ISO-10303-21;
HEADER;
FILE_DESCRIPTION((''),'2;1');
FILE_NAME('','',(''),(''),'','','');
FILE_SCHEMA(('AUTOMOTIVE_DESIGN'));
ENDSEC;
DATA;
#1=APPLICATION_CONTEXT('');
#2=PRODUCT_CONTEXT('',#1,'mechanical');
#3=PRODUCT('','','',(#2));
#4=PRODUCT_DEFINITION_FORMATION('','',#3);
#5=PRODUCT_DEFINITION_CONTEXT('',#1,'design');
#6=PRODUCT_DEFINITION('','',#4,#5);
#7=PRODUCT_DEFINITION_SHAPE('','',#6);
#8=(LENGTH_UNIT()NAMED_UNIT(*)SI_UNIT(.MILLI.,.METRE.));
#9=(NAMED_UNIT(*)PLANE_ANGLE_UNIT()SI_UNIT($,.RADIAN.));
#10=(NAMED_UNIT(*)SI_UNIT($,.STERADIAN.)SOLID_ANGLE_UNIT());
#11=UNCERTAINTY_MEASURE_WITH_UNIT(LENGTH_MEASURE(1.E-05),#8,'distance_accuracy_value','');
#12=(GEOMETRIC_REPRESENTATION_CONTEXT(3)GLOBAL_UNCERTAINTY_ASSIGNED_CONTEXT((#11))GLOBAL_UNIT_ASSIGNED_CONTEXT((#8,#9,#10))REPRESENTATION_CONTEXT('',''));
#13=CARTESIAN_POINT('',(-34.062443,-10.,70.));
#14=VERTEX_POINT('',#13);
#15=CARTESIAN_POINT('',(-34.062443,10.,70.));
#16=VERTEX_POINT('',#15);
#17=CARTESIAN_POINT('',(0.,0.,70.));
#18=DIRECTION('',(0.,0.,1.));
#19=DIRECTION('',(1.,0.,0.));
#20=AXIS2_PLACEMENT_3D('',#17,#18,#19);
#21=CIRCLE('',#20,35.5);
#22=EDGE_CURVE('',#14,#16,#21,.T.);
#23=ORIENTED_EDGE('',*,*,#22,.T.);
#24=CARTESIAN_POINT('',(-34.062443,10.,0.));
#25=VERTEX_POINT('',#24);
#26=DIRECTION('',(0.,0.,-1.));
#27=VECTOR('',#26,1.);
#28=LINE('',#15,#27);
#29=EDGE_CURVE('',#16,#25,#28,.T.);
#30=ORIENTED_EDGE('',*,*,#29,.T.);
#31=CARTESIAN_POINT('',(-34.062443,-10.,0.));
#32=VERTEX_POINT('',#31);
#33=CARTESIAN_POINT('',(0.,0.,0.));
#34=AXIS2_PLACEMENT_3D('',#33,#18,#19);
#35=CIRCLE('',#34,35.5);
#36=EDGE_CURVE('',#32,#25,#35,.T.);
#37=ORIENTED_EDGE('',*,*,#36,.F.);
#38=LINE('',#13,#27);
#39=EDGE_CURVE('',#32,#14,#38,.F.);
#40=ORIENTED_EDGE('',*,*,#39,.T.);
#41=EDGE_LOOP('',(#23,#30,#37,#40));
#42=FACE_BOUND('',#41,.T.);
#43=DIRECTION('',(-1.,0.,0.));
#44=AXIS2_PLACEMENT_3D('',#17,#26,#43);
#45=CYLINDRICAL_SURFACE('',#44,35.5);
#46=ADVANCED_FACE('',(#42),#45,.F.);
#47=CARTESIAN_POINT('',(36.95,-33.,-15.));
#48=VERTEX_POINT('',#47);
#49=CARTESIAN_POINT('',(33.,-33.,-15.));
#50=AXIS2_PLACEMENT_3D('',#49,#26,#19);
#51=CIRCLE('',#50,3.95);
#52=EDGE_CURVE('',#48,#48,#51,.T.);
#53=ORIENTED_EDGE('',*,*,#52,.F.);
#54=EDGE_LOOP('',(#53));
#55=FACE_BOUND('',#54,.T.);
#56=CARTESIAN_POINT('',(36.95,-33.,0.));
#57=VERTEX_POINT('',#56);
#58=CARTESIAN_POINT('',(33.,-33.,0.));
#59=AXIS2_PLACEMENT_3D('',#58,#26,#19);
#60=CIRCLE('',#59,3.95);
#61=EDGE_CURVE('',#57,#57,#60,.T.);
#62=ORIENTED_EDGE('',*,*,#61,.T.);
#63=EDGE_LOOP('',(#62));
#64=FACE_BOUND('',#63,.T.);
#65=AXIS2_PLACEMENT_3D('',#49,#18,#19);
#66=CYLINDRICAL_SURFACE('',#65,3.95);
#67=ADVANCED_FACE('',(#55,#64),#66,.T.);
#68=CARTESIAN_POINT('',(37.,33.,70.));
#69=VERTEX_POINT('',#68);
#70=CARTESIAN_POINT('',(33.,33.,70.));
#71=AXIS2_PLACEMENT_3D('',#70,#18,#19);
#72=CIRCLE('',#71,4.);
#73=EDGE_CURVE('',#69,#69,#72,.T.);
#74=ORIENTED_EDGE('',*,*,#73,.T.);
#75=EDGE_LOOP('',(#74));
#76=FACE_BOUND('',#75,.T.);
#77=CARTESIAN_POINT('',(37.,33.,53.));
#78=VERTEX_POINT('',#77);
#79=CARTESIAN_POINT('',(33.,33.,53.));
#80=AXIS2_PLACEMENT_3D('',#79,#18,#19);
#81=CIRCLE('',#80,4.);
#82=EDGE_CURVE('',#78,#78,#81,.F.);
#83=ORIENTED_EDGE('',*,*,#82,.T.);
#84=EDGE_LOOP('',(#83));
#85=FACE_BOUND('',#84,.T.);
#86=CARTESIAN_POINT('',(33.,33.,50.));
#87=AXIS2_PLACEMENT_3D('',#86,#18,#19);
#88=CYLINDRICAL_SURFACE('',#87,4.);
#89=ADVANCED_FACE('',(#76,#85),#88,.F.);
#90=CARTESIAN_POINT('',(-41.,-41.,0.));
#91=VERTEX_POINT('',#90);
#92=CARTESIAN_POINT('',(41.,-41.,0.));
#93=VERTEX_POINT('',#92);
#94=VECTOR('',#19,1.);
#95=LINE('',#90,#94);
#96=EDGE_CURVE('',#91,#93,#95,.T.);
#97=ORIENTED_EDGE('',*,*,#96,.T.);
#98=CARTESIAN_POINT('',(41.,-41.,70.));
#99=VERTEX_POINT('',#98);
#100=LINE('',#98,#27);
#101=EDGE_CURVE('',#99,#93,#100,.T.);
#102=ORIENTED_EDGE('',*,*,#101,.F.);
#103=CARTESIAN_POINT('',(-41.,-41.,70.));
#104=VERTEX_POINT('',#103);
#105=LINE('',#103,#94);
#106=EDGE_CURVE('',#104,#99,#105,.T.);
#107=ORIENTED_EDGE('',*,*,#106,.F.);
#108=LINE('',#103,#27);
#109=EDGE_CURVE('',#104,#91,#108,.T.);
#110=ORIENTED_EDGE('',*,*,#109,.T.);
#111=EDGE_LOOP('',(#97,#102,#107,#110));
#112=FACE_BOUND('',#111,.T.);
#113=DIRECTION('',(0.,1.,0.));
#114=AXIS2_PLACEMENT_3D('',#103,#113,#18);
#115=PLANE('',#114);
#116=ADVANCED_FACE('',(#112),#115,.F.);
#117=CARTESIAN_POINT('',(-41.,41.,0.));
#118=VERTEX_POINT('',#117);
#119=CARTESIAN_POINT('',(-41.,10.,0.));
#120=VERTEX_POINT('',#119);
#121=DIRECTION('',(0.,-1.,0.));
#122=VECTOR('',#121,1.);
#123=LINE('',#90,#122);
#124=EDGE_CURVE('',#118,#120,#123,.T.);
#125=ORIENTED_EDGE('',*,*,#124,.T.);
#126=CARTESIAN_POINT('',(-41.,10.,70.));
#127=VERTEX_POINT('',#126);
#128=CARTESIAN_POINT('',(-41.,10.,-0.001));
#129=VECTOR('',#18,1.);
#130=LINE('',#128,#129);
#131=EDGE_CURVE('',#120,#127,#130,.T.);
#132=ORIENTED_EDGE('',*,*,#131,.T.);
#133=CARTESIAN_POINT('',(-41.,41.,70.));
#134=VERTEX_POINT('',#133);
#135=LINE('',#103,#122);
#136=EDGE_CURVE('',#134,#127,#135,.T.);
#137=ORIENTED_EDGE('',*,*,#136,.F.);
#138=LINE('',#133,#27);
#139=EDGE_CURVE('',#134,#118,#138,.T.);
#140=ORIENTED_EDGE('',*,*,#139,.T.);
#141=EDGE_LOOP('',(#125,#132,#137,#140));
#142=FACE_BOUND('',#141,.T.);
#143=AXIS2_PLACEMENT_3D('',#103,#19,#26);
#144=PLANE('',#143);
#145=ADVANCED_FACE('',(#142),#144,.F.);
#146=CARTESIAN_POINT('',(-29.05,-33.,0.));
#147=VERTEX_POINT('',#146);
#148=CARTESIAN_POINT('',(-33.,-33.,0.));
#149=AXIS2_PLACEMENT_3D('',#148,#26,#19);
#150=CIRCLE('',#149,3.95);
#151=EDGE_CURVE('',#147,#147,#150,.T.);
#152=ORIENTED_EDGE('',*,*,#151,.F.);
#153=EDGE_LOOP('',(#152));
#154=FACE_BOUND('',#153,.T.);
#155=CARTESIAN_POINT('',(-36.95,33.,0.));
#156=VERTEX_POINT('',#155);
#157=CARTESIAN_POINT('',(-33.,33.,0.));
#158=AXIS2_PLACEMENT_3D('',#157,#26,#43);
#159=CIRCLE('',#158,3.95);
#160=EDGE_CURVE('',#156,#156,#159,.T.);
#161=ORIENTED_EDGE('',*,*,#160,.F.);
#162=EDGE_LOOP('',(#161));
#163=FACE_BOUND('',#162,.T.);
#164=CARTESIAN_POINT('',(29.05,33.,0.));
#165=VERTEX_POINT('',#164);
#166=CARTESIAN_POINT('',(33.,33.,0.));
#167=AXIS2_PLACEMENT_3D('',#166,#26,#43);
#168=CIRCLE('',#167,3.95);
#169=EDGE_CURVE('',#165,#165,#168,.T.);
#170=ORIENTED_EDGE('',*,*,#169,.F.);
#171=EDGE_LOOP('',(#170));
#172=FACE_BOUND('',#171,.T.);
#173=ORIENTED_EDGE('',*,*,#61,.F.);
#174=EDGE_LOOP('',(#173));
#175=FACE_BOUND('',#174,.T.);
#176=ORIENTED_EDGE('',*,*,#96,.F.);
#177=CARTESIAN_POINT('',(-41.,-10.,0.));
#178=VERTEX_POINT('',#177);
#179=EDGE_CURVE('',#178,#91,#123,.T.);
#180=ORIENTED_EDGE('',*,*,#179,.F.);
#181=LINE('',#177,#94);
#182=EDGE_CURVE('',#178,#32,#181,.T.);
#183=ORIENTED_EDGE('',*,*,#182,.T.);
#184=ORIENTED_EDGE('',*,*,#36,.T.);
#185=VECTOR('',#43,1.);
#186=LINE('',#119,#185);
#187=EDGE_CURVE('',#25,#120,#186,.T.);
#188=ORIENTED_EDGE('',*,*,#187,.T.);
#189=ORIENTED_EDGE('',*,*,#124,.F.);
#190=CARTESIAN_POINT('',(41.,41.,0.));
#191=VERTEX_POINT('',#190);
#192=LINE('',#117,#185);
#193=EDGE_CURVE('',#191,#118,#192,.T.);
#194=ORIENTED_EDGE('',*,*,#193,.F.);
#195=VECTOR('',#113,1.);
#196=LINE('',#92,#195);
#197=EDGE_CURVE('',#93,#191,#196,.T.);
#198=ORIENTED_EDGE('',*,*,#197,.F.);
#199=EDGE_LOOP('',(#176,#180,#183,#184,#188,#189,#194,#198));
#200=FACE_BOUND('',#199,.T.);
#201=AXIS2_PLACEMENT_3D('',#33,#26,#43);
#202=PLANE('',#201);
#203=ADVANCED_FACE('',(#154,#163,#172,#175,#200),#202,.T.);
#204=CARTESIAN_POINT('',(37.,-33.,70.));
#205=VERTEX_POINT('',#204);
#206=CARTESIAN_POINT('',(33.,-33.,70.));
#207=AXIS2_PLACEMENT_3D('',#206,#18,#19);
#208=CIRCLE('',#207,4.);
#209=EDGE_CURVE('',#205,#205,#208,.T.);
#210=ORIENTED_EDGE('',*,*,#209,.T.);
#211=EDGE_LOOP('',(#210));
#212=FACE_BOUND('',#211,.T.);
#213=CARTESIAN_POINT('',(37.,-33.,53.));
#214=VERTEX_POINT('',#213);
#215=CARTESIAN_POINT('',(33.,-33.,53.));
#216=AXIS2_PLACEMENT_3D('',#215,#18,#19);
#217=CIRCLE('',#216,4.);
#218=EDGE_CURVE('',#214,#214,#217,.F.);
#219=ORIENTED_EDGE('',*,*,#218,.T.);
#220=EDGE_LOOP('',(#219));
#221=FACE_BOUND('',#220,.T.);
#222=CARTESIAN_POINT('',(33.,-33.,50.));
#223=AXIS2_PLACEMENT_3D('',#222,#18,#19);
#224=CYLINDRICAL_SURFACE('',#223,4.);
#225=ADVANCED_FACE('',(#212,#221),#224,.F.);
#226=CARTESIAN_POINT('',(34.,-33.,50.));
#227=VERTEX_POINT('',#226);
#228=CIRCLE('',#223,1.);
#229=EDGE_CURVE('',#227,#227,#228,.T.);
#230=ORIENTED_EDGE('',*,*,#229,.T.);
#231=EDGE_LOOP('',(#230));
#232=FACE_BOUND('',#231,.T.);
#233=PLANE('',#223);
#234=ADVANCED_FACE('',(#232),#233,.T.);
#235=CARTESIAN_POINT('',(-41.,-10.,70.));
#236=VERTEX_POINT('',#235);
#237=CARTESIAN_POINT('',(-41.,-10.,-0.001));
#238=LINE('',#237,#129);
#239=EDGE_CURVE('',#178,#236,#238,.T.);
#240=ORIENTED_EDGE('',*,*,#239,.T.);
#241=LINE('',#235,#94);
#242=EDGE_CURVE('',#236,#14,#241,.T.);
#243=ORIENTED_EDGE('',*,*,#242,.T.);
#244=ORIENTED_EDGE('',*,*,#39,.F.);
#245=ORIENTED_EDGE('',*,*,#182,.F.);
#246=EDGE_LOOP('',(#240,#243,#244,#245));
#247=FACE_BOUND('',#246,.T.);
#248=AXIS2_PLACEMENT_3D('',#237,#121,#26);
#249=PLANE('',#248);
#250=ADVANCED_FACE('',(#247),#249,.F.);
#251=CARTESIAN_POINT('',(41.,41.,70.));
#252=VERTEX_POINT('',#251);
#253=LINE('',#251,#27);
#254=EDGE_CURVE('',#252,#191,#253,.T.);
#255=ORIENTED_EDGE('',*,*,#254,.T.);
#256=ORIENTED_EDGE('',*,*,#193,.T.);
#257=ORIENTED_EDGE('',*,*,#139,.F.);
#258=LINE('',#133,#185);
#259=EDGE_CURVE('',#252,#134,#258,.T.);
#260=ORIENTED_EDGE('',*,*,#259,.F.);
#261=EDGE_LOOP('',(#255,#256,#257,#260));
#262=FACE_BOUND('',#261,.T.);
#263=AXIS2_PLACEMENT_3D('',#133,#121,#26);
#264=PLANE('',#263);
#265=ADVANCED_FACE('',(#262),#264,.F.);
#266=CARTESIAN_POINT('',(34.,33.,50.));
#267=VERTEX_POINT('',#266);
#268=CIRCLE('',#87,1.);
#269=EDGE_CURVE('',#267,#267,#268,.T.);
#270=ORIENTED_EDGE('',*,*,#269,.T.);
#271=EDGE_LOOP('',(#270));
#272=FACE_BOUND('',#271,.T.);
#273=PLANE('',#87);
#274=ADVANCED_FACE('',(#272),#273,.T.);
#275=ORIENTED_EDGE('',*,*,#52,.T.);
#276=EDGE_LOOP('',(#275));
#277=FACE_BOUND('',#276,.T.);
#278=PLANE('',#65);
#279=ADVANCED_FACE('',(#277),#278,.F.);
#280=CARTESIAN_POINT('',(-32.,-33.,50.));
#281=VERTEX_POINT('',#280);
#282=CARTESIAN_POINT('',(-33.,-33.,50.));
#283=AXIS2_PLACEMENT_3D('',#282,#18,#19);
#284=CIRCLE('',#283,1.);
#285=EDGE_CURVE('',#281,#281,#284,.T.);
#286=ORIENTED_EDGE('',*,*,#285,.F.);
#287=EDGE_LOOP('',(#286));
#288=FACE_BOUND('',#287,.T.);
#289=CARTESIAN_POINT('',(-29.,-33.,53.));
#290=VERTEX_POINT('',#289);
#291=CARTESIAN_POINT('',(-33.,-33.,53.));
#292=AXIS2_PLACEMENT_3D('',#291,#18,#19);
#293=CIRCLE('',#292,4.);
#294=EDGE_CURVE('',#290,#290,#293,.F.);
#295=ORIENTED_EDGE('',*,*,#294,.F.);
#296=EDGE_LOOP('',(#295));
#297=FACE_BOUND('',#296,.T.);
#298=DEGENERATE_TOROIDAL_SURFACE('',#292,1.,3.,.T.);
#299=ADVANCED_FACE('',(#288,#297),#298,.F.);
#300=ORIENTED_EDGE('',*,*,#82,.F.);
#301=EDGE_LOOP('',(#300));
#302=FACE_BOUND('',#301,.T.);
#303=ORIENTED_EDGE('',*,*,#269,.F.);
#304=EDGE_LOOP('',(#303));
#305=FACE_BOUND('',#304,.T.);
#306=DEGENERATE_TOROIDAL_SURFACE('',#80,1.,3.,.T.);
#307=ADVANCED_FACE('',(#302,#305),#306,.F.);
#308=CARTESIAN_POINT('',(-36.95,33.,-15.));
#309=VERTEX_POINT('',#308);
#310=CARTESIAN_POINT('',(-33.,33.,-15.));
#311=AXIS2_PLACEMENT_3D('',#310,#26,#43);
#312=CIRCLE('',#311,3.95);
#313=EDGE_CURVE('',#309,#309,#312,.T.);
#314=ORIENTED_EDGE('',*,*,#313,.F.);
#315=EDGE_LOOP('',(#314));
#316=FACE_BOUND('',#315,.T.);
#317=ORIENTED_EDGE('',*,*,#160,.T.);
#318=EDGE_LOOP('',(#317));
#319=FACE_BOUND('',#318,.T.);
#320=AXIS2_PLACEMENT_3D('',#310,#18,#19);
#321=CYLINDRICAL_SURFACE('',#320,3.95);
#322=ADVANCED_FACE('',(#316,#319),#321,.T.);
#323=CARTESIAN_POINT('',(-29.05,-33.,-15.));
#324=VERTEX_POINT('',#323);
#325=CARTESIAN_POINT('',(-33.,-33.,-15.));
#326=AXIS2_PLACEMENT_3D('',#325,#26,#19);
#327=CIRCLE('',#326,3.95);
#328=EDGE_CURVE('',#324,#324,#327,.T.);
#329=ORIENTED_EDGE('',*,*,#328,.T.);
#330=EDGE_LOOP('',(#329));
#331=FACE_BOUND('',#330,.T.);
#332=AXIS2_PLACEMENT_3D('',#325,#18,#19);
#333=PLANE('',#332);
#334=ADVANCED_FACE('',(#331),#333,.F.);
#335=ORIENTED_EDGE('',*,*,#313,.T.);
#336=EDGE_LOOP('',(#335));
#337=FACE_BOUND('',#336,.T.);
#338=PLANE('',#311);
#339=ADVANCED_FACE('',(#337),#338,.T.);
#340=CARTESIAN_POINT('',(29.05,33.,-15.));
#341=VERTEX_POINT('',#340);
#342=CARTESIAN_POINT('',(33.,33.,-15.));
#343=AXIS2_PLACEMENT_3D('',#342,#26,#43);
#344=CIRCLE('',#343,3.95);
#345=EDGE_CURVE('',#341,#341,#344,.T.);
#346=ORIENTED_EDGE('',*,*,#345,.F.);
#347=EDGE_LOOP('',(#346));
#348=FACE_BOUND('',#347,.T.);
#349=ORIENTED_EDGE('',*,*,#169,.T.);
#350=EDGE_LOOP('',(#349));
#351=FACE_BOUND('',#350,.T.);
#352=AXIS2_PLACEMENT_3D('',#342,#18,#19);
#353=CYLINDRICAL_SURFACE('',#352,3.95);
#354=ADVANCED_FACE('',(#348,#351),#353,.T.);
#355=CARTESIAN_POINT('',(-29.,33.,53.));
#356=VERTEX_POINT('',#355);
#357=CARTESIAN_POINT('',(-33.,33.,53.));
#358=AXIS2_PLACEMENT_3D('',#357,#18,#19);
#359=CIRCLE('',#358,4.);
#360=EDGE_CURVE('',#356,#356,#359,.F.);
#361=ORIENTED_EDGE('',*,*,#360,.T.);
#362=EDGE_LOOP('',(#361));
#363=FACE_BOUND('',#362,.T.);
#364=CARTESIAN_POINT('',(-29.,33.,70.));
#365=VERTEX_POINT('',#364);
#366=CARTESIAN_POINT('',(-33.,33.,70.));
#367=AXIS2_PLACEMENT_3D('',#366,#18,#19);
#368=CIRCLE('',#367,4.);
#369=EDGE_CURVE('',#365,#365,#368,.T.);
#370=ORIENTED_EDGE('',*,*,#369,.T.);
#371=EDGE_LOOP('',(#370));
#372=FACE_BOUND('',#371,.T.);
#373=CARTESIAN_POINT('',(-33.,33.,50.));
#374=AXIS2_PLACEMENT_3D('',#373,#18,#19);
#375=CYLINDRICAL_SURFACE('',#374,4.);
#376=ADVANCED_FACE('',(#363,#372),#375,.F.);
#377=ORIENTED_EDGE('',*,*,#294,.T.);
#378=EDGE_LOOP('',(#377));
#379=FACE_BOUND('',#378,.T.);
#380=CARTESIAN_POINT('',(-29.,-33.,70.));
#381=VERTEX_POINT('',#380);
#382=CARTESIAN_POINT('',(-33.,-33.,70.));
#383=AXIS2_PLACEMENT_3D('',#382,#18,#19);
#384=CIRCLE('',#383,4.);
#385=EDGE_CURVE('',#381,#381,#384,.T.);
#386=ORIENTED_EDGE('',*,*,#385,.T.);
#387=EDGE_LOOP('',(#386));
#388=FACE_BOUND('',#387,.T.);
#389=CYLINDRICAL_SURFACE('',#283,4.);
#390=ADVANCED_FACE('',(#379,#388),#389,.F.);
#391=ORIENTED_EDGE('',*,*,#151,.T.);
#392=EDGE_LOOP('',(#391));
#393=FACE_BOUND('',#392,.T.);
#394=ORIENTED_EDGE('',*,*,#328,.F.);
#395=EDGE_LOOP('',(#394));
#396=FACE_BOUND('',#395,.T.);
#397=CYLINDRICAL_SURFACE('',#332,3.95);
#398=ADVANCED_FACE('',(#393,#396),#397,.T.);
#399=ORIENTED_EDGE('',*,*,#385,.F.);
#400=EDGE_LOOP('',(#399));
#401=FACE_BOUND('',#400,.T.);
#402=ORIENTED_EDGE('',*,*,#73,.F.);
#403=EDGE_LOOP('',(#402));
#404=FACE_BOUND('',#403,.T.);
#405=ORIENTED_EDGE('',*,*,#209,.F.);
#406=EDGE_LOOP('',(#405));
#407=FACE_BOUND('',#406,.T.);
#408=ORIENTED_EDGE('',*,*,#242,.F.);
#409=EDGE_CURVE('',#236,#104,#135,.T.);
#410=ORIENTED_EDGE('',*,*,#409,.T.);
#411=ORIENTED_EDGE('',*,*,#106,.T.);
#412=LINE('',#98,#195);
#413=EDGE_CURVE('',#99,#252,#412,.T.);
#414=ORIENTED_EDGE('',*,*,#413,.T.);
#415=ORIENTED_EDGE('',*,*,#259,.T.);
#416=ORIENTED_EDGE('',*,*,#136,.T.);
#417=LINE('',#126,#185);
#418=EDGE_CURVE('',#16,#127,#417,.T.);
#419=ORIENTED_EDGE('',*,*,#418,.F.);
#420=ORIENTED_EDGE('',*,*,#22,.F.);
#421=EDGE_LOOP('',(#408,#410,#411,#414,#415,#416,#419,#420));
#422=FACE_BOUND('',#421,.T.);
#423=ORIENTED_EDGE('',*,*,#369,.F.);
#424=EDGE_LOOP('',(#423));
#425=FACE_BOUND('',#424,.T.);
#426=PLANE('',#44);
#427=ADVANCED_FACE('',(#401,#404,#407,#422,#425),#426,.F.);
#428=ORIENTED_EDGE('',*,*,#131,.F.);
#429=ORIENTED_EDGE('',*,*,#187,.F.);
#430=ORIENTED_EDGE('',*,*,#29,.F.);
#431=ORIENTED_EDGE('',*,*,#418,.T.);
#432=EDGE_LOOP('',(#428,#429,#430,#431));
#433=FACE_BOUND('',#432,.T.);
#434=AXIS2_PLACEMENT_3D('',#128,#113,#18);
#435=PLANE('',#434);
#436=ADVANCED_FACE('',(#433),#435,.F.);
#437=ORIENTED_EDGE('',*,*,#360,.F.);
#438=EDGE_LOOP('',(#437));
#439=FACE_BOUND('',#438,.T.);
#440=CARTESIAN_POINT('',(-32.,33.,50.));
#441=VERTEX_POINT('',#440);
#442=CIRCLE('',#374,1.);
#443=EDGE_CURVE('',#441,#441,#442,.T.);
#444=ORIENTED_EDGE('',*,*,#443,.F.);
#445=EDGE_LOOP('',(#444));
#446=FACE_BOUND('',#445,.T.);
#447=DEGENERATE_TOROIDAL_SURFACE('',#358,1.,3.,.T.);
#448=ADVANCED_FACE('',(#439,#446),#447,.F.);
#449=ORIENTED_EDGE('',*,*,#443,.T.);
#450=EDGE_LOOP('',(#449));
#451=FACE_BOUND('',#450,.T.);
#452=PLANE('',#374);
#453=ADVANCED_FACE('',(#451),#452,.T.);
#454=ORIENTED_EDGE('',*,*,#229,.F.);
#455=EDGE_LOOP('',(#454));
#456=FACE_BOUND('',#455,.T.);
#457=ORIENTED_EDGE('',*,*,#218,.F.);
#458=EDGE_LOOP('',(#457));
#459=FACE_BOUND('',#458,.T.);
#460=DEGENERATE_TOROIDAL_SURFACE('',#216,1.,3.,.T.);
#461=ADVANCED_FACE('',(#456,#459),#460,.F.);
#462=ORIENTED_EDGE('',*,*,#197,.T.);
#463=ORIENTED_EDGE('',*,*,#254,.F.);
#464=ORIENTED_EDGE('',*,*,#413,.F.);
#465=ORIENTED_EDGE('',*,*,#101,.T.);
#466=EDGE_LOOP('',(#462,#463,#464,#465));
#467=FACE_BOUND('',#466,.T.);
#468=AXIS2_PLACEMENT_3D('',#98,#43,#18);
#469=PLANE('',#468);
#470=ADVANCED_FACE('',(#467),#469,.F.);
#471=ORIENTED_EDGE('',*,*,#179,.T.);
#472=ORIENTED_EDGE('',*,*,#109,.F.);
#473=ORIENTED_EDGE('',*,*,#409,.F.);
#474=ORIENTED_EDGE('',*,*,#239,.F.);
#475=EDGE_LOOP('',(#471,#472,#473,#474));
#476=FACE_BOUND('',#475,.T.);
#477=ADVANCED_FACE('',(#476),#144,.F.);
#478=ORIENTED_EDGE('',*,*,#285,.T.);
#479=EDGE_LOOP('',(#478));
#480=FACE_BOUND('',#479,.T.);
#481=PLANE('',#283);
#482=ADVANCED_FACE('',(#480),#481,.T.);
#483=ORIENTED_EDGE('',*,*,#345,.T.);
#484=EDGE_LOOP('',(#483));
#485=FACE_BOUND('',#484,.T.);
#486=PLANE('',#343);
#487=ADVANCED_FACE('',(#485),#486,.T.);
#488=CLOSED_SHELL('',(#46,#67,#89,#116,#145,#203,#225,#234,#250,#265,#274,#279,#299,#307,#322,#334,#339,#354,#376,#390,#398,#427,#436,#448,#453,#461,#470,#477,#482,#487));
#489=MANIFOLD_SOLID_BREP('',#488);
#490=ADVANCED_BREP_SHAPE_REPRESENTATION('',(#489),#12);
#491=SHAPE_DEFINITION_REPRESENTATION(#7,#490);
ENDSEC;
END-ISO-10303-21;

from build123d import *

# Parameters (mm, degrees)
SKETCH_1_W          = 82
SKETCH_1_H          = 82
SKETCH_1_R          = 35.5
EXTRUDE_1_DEPTH     = 70
SKETCH_4_R          = 4
CUT_EXTRUDE_2_DEPTH = 20
FILLET_2_R          = 3
FILLET_3_R          = 3
FILLET_4_R          = 3
FILLET_5_R          = 3
CUT_EXTRUDE_3_REACH = 92.896
SKETCH_3_W          = 8
SKETCH_3_H          = 20
SKETCH_5_R          = 3.95
EXTRUDE_2_DEPTH     = 15


with BuildPart() as part:
    # 草圖1 → 填料-伸長1 (new body)
    with BuildSketch(Plane.XY):
        Rectangle(SKETCH_1_W, SKETCH_1_H)
        Circle(SKETCH_1_R, mode=Mode.SUBTRACT)
    extrude(amount=EXTRUDE_1_DEPTH)

    # 草圖4 → 除料-伸長2 (cut)
    with BuildSketch(Plane.XY.offset(70)):
        with Locations((-33, 33)):
            Circle(SKETCH_4_R)
        with Locations((33, 33)):
            Circle(SKETCH_4_R)
        with Locations((33, -33)):
            Circle(SKETCH_4_R)
        with Locations((-33, -33)):
            Circle(SKETCH_4_R)
    extrude(amount=-CUT_EXTRUDE_2_DEPTH, mode=Mode.SUBTRACT)

    # 圓角2
    fillet_2_edges = [part.edges().sort_by_distance(p)[0] for p in [
        (-37, 33, 50),
    ]]
    fillet(fillet_2_edges, radius=FILLET_2_R)

    # 圓角3
    fillet_3_edges = [part.edges().sort_by_distance(p)[0] for p in [
        (29, 33, 50),
    ]]
    fillet(fillet_3_edges, radius=FILLET_3_R)

    # 圓角4
    fillet_4_edges = [part.edges().sort_by_distance(p)[0] for p in [
        (-37, -33, 50),
    ]]
    fillet(fillet_4_edges, radius=FILLET_4_R)

    # 圓角5
    fillet_5_edges = [part.edges().sort_by_distance(p)[0] for p in [
        (29, -33, 50),
    ]]
    fillet(fillet_5_edges, radius=FILLET_5_R)

    # 草圖3 → 除料-伸長3 (cut, up to next)
    with BuildSketch(Plane.XY.offset(70), mode=Mode.PRIVATE) as cut_extrude_3_sk1:
        with Locations((-37, 0)):
            Rectangle(SKETCH_3_W, SKETCH_3_H)
    cut_extrude_3_tool1 = extrude(cut_extrude_3_sk1.sketch, amount=-CUT_EXTRUDE_3_REACH, mode=Mode.PRIVATE) & part.part
    add(cut_extrude_3_tool1.solids().sort_by_distance((-37, 0, 70))[0], mode=Mode.SUBTRACT)

    # 草圖5 → 填料-伸長2 (add)
    with BuildSketch(Plane(origin=(0, 0, 0), x_dir=(-1, 0, 0), z_dir=(0, 0, -1))):
        with Locations((33, 33)):
            Circle(SKETCH_5_R)
        with Locations((-33, 33)):
            Circle(SKETCH_5_R)
        with Locations((33, -33)):
            Circle(SKETCH_5_R)
        with Locations((-33, -33)):
            Circle(SKETCH_5_R)
    extrude(amount=EXTRUDE_2_DEPTH)


solid = part.part
